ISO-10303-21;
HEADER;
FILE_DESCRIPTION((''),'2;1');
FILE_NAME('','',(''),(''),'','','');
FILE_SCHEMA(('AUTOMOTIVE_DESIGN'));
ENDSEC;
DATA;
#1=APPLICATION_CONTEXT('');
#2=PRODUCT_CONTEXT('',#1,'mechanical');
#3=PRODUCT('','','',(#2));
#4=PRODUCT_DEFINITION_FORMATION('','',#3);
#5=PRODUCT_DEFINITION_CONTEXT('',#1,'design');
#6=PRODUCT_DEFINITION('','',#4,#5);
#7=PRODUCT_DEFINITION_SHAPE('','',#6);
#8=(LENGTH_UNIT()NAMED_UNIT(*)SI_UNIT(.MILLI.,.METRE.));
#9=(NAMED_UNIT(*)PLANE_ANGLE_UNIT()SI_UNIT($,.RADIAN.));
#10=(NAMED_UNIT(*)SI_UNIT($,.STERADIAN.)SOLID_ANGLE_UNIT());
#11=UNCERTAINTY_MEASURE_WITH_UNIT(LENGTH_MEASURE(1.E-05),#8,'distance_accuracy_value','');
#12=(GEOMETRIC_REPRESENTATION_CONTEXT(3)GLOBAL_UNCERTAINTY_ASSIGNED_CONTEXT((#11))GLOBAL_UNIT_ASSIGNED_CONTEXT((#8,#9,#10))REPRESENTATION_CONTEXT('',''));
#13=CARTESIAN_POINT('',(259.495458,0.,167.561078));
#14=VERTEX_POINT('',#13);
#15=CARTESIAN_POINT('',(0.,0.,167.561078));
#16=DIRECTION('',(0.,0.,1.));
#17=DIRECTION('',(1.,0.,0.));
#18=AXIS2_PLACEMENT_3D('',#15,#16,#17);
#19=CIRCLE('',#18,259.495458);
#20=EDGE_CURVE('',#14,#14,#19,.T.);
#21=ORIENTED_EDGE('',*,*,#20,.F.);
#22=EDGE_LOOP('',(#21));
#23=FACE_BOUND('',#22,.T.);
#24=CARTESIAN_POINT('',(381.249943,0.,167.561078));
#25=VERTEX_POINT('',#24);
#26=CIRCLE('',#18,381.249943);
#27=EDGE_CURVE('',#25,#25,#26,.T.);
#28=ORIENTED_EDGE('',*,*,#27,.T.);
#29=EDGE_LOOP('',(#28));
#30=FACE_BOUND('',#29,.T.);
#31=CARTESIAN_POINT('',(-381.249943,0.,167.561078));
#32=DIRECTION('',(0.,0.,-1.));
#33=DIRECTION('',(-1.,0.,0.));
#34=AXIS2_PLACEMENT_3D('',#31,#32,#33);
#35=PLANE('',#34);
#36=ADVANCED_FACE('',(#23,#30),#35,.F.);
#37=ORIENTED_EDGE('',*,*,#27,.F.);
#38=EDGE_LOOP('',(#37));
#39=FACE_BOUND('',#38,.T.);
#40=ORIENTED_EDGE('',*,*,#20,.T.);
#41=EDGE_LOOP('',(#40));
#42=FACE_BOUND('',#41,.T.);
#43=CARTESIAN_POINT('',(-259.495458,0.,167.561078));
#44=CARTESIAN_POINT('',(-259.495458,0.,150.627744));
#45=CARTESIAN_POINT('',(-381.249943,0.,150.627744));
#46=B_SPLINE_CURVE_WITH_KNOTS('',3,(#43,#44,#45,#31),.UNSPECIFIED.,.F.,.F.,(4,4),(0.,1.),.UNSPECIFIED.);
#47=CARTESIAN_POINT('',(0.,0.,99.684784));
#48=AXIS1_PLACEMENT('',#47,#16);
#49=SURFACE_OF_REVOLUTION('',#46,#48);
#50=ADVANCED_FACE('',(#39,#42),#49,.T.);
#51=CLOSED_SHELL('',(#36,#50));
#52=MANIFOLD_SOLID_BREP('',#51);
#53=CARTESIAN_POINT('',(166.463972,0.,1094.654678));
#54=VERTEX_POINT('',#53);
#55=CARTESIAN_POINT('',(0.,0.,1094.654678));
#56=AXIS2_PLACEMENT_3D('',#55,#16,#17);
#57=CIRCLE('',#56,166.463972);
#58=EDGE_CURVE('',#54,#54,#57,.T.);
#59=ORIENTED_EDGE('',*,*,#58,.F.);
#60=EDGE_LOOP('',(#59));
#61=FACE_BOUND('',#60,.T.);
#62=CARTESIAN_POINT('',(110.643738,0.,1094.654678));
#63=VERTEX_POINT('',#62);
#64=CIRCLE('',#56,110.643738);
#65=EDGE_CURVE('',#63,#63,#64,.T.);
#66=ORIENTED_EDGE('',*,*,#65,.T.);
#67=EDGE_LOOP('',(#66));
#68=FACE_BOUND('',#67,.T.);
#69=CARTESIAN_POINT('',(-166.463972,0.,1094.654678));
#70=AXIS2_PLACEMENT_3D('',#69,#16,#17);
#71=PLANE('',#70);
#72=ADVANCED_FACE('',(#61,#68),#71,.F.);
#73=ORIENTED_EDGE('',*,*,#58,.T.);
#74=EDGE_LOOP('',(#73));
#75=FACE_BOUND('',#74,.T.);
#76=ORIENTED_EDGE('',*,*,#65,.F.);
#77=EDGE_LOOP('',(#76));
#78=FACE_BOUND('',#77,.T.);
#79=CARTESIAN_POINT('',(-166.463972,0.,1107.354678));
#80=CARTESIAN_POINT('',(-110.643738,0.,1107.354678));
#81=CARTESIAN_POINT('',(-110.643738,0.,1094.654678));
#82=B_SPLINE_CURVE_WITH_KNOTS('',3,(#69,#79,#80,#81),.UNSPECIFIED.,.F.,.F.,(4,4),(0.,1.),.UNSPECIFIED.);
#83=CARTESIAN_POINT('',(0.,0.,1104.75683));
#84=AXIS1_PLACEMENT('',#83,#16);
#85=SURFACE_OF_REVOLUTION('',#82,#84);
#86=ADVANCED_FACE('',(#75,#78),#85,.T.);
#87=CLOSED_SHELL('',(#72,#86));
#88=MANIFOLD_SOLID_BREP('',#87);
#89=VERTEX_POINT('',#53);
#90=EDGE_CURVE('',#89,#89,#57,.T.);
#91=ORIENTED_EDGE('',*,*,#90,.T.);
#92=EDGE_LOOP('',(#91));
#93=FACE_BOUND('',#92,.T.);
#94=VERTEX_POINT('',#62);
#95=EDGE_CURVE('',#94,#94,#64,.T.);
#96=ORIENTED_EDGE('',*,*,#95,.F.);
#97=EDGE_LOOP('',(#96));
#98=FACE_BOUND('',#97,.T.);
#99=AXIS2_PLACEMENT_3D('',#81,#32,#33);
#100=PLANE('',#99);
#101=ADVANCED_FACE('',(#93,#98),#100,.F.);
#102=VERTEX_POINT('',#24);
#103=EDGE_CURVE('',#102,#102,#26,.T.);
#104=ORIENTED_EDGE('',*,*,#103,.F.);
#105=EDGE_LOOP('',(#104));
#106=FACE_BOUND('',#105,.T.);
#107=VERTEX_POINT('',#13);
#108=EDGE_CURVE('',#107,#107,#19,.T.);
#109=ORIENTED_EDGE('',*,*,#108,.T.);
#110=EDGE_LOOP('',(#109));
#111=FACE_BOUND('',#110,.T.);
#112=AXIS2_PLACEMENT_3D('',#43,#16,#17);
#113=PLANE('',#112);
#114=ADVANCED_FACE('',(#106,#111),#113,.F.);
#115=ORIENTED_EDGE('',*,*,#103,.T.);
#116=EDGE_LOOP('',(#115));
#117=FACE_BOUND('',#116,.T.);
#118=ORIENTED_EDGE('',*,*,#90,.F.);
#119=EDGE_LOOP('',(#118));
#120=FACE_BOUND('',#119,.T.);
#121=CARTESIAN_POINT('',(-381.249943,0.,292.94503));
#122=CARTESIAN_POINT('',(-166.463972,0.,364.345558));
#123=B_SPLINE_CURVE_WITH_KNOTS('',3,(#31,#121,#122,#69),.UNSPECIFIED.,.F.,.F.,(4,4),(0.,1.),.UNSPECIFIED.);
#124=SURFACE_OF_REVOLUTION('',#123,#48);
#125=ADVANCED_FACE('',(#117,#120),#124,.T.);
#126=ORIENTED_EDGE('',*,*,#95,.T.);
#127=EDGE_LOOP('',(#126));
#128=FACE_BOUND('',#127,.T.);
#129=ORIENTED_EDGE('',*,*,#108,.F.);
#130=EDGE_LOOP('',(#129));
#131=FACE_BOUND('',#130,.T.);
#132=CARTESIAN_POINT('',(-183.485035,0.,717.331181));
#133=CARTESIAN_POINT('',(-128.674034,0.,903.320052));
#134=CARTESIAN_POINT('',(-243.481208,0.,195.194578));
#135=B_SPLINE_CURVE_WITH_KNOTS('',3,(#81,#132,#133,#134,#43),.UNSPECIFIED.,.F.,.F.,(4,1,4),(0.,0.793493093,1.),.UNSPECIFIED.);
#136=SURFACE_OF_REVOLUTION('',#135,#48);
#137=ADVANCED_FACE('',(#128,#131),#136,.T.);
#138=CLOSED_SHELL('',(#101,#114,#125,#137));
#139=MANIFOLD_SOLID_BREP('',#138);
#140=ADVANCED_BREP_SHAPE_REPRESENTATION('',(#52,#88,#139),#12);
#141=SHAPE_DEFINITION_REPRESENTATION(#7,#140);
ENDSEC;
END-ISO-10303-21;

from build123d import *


with BuildPart() as part:
    # Sketch21 → Revolve2 (revolve)
    with BuildSketch(Plane(origin=(0, 0, 0), x_dir=(1, 0, 0), z_dir=(0, 1, 0))):
        with BuildLine():
            Line((-110.643738414, -1094.654678065), (-166.463971853, -1094.654678065))
            add(Edge.make_bspline(
                [(-381.249942517, -167.561077714), (-381.249942517, -292.94503009), (-166.463971853, -364.34555768), (-166.463971853, -1094.654678065)],
                knots=[0, 0, 0, 0, 1, 1, 1, 1], degree=3))
            Line((-381.249942517, -167.561077714), (-259.495458194, -167.561077714))
            add(Edge.make_bspline(
                [(-259.495458194, -167.561077714), (-243.481208412, -195.194577557), (-128.674034214, -903.320051911), (-183.485035369, -717.331180747), (-110.643738414, -1094.654678065)],
                knots=[0, 0, 0, 0, 0.206506907, 1, 1, 1, 1], degree=3))
        make_face()
    revolve(axis=Axis((0, 0, 99.684784321), (0, 0, -1)))


with BuildPart() as body_2:
    # Sketch22 → Revolve3 (revolve)
    with BuildSketch(Plane(origin=(0, 0, 0), x_dir=(1, 0, 0), z_dir=(0, 1, 0))):
        with BuildLine():
            Line((-381.249942517, -167.561077714), (-259.495458194, -167.561077714))
            add(Edge.make_bspline(
                [(-381.249942517, -167.561077714), (-381.249942517, -150.62774438), (-259.495458194, -150.62774438), (-259.495458194, -167.561077714)],
                knots=[0, 0, 0, 0, 1, 1, 1, 1], degree=3))
        make_face()
    revolve(axis=Axis((0, 0, 99.684784321), (0, 0, -1)))


with BuildPart() as body_3:
    # Sketch23 → Revolve4 (revolve)
    with BuildSketch(Plane(origin=(0, 0, 0), x_dir=(1, 0, 0), z_dir=(0, 1, 0))):
        with BuildLine():
            Line((-166.463971853, -1094.654678065), (-110.643738414, -1094.654678065))
            add(Edge.make_bspline(
                [(-166.463971853, -1094.654678065), (-166.463971853, -1107.354678065), (-110.643738414, -1107.354678065), (-110.643738414, -1094.654678065)],
                knots=[0, 0, 0, 0, 1, 1, 1, 1], degree=3))
        make_face()
    revolve(axis=Axis((0, 0, 1104.756830123), (0, 0, -1)))


solid = Compound([part.part, body_2.part, body_3.part])
